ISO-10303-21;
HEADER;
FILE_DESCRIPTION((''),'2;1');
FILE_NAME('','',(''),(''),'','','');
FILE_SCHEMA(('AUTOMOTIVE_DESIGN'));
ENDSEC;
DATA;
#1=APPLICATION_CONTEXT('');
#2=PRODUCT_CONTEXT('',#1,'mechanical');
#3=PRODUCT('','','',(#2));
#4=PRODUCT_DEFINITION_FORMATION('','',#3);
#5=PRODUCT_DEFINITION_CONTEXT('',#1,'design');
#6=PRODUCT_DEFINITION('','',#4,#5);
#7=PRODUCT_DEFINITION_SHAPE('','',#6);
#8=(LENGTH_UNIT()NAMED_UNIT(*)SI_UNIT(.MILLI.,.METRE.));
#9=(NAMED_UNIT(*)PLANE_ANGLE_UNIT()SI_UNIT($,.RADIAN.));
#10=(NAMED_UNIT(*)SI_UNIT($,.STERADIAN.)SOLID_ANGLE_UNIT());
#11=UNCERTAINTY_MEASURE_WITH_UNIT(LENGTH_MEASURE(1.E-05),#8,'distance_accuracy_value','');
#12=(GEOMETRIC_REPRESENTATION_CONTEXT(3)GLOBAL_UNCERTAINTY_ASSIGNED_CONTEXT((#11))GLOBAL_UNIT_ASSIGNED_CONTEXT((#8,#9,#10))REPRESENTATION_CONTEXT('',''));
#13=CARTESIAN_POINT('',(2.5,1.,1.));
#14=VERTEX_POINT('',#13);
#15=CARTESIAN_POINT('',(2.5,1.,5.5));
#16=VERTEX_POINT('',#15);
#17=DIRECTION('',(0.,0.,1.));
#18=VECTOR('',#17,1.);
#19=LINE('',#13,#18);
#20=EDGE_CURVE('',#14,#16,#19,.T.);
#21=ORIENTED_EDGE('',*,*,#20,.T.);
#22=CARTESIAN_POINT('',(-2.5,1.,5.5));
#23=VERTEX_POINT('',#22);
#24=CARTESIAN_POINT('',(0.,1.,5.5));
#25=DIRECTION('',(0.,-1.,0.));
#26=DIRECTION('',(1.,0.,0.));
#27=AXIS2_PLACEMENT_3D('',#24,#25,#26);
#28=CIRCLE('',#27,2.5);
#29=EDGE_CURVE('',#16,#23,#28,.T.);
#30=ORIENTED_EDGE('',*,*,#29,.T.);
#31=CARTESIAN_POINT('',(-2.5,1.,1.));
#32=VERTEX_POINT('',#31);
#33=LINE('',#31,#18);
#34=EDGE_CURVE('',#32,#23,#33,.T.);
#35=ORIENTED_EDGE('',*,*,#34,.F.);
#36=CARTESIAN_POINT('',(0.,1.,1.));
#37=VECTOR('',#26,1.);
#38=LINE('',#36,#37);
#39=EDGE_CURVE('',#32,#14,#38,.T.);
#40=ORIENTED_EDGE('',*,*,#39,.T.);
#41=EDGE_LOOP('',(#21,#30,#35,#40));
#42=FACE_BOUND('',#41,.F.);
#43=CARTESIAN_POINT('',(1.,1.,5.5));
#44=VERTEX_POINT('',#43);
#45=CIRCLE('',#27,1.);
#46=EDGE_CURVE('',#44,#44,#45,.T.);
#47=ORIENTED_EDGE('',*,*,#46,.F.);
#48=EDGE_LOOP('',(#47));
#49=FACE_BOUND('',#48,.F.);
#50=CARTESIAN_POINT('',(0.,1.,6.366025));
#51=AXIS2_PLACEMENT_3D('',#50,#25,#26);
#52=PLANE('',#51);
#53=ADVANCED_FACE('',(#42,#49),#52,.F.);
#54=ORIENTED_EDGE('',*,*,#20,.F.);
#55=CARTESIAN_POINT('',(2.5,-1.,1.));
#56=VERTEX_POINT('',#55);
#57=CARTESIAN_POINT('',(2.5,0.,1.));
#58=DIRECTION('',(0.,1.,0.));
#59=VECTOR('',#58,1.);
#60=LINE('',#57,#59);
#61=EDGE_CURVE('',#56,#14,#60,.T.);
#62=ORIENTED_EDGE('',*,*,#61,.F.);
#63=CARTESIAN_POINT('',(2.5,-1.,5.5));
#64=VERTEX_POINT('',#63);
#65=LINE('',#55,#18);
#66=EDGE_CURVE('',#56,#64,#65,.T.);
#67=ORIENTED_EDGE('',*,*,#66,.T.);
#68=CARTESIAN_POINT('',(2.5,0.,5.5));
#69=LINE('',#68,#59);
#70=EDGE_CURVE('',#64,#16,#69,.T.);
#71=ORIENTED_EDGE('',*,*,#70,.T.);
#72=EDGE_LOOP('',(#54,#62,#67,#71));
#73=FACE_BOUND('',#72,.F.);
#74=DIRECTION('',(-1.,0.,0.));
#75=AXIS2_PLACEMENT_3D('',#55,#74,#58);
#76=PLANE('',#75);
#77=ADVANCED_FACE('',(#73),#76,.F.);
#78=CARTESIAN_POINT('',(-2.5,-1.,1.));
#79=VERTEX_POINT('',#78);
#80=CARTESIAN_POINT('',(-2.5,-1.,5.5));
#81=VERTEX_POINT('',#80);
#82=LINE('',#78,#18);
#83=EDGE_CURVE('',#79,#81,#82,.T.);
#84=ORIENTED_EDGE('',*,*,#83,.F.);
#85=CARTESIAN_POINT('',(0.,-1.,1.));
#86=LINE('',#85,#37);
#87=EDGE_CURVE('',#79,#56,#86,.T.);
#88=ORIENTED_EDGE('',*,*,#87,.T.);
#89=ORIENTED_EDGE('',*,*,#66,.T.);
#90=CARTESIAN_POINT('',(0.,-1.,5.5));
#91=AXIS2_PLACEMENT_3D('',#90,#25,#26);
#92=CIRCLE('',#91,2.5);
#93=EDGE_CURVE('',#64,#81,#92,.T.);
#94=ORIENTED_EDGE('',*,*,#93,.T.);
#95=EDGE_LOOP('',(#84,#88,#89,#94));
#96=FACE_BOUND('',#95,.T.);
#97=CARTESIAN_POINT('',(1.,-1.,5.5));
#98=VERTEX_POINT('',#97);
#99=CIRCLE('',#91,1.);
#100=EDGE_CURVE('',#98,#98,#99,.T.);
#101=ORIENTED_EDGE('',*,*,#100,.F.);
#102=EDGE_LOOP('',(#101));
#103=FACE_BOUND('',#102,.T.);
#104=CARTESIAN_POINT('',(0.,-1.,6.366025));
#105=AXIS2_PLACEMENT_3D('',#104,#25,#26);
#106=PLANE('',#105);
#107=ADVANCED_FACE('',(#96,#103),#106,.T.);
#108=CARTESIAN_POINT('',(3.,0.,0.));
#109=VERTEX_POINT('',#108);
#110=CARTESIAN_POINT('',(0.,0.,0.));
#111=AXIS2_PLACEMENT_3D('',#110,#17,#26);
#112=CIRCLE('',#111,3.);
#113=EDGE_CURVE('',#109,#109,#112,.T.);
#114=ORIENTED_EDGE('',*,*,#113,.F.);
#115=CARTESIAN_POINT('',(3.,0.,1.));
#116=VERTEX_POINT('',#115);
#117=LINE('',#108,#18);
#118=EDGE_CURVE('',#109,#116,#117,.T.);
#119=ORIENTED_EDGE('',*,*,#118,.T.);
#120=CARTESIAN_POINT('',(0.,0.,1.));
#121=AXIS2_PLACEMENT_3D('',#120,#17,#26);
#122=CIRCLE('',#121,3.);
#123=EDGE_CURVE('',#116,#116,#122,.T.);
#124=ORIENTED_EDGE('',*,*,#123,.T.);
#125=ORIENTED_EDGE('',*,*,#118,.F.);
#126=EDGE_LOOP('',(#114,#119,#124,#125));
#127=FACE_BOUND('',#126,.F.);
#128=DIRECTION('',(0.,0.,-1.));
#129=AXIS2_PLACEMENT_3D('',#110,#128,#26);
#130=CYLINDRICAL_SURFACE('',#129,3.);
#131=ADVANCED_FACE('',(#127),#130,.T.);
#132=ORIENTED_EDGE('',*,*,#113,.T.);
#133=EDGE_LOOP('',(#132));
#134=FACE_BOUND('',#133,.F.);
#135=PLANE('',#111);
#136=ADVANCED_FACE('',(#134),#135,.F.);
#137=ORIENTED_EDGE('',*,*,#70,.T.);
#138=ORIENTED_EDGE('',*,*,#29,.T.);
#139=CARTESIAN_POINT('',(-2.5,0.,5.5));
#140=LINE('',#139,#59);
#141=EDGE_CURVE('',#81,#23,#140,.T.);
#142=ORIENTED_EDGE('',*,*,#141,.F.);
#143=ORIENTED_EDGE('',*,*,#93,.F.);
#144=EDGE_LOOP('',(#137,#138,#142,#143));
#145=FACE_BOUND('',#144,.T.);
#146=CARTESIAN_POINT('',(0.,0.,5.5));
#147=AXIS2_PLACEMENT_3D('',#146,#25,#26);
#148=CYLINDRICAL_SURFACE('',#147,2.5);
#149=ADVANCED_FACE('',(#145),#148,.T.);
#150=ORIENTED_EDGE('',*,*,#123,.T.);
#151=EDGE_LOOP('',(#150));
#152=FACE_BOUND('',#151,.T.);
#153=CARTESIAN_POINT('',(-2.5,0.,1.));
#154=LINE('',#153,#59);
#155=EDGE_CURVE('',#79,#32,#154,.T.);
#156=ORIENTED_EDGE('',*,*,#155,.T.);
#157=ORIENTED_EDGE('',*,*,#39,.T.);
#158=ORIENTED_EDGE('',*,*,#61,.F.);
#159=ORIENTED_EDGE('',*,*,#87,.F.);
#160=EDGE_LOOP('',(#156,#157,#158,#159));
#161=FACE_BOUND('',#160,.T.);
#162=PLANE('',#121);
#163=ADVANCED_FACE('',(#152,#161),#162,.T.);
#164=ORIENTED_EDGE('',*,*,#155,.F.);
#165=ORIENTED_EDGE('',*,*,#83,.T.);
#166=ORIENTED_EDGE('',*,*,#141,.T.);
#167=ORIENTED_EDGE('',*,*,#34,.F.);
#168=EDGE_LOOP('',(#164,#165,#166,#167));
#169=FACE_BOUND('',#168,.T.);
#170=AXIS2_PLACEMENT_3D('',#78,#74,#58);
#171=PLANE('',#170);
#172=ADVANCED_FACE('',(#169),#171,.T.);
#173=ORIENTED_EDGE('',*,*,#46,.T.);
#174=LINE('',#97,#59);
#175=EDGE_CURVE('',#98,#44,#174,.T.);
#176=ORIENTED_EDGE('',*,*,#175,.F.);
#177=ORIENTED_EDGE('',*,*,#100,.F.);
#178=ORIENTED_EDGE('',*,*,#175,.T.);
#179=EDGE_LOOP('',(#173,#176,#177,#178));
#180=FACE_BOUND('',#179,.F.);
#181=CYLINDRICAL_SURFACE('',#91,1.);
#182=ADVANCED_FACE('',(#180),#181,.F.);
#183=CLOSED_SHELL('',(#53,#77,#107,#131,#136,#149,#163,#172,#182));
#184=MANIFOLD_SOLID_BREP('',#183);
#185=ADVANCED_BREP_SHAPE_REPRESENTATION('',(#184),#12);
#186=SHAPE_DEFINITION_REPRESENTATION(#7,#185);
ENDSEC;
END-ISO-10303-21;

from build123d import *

# Parameters (mm, degrees)
F0_R     = 3
F1_DEPTH = 1
F2_W     = 5
F2_H     = 2
F3_DEPTH = 4.5
F5_DEPTH = 1
F6_R     = 1
F7_DEPTH = 25


with BuildPart() as f1:
    # F0 (on Top) → F1 (new body)
    with BuildSketch(Plane.XY):
        Circle(F0_R)
    extrude(amount=F1_DEPTH)

    # F2 (on face) → F3 (join)
    with BuildSketch(Plane.XY.offset(1)):
        Rectangle(F2_W, F2_H)
    extrude(amount=F3_DEPTH)

    # F4 (on Front) → F5 (join, symmetric)
    with BuildSketch(Plane.XZ):
        with BuildLine():
            Line((0, 5.5), (2.5, 5.5))
            ThreePointArc((2.5, 5.5), (0, 8), (-2.5, 5.5))
            Line((-2.5, 5.5), (0, 5.5))
        make_face()
    extrude(amount=F5_DEPTH, both=True)

    # F6 (on face) → F7 (cut)
    with BuildSketch(Plane.XZ.offset(1)):
        with Locations((0, 5.5)):
            Circle(F6_R)
    extrude(amount=-F7_DEPTH, mode=Mode.SUBTRACT)


solid = f1.part
